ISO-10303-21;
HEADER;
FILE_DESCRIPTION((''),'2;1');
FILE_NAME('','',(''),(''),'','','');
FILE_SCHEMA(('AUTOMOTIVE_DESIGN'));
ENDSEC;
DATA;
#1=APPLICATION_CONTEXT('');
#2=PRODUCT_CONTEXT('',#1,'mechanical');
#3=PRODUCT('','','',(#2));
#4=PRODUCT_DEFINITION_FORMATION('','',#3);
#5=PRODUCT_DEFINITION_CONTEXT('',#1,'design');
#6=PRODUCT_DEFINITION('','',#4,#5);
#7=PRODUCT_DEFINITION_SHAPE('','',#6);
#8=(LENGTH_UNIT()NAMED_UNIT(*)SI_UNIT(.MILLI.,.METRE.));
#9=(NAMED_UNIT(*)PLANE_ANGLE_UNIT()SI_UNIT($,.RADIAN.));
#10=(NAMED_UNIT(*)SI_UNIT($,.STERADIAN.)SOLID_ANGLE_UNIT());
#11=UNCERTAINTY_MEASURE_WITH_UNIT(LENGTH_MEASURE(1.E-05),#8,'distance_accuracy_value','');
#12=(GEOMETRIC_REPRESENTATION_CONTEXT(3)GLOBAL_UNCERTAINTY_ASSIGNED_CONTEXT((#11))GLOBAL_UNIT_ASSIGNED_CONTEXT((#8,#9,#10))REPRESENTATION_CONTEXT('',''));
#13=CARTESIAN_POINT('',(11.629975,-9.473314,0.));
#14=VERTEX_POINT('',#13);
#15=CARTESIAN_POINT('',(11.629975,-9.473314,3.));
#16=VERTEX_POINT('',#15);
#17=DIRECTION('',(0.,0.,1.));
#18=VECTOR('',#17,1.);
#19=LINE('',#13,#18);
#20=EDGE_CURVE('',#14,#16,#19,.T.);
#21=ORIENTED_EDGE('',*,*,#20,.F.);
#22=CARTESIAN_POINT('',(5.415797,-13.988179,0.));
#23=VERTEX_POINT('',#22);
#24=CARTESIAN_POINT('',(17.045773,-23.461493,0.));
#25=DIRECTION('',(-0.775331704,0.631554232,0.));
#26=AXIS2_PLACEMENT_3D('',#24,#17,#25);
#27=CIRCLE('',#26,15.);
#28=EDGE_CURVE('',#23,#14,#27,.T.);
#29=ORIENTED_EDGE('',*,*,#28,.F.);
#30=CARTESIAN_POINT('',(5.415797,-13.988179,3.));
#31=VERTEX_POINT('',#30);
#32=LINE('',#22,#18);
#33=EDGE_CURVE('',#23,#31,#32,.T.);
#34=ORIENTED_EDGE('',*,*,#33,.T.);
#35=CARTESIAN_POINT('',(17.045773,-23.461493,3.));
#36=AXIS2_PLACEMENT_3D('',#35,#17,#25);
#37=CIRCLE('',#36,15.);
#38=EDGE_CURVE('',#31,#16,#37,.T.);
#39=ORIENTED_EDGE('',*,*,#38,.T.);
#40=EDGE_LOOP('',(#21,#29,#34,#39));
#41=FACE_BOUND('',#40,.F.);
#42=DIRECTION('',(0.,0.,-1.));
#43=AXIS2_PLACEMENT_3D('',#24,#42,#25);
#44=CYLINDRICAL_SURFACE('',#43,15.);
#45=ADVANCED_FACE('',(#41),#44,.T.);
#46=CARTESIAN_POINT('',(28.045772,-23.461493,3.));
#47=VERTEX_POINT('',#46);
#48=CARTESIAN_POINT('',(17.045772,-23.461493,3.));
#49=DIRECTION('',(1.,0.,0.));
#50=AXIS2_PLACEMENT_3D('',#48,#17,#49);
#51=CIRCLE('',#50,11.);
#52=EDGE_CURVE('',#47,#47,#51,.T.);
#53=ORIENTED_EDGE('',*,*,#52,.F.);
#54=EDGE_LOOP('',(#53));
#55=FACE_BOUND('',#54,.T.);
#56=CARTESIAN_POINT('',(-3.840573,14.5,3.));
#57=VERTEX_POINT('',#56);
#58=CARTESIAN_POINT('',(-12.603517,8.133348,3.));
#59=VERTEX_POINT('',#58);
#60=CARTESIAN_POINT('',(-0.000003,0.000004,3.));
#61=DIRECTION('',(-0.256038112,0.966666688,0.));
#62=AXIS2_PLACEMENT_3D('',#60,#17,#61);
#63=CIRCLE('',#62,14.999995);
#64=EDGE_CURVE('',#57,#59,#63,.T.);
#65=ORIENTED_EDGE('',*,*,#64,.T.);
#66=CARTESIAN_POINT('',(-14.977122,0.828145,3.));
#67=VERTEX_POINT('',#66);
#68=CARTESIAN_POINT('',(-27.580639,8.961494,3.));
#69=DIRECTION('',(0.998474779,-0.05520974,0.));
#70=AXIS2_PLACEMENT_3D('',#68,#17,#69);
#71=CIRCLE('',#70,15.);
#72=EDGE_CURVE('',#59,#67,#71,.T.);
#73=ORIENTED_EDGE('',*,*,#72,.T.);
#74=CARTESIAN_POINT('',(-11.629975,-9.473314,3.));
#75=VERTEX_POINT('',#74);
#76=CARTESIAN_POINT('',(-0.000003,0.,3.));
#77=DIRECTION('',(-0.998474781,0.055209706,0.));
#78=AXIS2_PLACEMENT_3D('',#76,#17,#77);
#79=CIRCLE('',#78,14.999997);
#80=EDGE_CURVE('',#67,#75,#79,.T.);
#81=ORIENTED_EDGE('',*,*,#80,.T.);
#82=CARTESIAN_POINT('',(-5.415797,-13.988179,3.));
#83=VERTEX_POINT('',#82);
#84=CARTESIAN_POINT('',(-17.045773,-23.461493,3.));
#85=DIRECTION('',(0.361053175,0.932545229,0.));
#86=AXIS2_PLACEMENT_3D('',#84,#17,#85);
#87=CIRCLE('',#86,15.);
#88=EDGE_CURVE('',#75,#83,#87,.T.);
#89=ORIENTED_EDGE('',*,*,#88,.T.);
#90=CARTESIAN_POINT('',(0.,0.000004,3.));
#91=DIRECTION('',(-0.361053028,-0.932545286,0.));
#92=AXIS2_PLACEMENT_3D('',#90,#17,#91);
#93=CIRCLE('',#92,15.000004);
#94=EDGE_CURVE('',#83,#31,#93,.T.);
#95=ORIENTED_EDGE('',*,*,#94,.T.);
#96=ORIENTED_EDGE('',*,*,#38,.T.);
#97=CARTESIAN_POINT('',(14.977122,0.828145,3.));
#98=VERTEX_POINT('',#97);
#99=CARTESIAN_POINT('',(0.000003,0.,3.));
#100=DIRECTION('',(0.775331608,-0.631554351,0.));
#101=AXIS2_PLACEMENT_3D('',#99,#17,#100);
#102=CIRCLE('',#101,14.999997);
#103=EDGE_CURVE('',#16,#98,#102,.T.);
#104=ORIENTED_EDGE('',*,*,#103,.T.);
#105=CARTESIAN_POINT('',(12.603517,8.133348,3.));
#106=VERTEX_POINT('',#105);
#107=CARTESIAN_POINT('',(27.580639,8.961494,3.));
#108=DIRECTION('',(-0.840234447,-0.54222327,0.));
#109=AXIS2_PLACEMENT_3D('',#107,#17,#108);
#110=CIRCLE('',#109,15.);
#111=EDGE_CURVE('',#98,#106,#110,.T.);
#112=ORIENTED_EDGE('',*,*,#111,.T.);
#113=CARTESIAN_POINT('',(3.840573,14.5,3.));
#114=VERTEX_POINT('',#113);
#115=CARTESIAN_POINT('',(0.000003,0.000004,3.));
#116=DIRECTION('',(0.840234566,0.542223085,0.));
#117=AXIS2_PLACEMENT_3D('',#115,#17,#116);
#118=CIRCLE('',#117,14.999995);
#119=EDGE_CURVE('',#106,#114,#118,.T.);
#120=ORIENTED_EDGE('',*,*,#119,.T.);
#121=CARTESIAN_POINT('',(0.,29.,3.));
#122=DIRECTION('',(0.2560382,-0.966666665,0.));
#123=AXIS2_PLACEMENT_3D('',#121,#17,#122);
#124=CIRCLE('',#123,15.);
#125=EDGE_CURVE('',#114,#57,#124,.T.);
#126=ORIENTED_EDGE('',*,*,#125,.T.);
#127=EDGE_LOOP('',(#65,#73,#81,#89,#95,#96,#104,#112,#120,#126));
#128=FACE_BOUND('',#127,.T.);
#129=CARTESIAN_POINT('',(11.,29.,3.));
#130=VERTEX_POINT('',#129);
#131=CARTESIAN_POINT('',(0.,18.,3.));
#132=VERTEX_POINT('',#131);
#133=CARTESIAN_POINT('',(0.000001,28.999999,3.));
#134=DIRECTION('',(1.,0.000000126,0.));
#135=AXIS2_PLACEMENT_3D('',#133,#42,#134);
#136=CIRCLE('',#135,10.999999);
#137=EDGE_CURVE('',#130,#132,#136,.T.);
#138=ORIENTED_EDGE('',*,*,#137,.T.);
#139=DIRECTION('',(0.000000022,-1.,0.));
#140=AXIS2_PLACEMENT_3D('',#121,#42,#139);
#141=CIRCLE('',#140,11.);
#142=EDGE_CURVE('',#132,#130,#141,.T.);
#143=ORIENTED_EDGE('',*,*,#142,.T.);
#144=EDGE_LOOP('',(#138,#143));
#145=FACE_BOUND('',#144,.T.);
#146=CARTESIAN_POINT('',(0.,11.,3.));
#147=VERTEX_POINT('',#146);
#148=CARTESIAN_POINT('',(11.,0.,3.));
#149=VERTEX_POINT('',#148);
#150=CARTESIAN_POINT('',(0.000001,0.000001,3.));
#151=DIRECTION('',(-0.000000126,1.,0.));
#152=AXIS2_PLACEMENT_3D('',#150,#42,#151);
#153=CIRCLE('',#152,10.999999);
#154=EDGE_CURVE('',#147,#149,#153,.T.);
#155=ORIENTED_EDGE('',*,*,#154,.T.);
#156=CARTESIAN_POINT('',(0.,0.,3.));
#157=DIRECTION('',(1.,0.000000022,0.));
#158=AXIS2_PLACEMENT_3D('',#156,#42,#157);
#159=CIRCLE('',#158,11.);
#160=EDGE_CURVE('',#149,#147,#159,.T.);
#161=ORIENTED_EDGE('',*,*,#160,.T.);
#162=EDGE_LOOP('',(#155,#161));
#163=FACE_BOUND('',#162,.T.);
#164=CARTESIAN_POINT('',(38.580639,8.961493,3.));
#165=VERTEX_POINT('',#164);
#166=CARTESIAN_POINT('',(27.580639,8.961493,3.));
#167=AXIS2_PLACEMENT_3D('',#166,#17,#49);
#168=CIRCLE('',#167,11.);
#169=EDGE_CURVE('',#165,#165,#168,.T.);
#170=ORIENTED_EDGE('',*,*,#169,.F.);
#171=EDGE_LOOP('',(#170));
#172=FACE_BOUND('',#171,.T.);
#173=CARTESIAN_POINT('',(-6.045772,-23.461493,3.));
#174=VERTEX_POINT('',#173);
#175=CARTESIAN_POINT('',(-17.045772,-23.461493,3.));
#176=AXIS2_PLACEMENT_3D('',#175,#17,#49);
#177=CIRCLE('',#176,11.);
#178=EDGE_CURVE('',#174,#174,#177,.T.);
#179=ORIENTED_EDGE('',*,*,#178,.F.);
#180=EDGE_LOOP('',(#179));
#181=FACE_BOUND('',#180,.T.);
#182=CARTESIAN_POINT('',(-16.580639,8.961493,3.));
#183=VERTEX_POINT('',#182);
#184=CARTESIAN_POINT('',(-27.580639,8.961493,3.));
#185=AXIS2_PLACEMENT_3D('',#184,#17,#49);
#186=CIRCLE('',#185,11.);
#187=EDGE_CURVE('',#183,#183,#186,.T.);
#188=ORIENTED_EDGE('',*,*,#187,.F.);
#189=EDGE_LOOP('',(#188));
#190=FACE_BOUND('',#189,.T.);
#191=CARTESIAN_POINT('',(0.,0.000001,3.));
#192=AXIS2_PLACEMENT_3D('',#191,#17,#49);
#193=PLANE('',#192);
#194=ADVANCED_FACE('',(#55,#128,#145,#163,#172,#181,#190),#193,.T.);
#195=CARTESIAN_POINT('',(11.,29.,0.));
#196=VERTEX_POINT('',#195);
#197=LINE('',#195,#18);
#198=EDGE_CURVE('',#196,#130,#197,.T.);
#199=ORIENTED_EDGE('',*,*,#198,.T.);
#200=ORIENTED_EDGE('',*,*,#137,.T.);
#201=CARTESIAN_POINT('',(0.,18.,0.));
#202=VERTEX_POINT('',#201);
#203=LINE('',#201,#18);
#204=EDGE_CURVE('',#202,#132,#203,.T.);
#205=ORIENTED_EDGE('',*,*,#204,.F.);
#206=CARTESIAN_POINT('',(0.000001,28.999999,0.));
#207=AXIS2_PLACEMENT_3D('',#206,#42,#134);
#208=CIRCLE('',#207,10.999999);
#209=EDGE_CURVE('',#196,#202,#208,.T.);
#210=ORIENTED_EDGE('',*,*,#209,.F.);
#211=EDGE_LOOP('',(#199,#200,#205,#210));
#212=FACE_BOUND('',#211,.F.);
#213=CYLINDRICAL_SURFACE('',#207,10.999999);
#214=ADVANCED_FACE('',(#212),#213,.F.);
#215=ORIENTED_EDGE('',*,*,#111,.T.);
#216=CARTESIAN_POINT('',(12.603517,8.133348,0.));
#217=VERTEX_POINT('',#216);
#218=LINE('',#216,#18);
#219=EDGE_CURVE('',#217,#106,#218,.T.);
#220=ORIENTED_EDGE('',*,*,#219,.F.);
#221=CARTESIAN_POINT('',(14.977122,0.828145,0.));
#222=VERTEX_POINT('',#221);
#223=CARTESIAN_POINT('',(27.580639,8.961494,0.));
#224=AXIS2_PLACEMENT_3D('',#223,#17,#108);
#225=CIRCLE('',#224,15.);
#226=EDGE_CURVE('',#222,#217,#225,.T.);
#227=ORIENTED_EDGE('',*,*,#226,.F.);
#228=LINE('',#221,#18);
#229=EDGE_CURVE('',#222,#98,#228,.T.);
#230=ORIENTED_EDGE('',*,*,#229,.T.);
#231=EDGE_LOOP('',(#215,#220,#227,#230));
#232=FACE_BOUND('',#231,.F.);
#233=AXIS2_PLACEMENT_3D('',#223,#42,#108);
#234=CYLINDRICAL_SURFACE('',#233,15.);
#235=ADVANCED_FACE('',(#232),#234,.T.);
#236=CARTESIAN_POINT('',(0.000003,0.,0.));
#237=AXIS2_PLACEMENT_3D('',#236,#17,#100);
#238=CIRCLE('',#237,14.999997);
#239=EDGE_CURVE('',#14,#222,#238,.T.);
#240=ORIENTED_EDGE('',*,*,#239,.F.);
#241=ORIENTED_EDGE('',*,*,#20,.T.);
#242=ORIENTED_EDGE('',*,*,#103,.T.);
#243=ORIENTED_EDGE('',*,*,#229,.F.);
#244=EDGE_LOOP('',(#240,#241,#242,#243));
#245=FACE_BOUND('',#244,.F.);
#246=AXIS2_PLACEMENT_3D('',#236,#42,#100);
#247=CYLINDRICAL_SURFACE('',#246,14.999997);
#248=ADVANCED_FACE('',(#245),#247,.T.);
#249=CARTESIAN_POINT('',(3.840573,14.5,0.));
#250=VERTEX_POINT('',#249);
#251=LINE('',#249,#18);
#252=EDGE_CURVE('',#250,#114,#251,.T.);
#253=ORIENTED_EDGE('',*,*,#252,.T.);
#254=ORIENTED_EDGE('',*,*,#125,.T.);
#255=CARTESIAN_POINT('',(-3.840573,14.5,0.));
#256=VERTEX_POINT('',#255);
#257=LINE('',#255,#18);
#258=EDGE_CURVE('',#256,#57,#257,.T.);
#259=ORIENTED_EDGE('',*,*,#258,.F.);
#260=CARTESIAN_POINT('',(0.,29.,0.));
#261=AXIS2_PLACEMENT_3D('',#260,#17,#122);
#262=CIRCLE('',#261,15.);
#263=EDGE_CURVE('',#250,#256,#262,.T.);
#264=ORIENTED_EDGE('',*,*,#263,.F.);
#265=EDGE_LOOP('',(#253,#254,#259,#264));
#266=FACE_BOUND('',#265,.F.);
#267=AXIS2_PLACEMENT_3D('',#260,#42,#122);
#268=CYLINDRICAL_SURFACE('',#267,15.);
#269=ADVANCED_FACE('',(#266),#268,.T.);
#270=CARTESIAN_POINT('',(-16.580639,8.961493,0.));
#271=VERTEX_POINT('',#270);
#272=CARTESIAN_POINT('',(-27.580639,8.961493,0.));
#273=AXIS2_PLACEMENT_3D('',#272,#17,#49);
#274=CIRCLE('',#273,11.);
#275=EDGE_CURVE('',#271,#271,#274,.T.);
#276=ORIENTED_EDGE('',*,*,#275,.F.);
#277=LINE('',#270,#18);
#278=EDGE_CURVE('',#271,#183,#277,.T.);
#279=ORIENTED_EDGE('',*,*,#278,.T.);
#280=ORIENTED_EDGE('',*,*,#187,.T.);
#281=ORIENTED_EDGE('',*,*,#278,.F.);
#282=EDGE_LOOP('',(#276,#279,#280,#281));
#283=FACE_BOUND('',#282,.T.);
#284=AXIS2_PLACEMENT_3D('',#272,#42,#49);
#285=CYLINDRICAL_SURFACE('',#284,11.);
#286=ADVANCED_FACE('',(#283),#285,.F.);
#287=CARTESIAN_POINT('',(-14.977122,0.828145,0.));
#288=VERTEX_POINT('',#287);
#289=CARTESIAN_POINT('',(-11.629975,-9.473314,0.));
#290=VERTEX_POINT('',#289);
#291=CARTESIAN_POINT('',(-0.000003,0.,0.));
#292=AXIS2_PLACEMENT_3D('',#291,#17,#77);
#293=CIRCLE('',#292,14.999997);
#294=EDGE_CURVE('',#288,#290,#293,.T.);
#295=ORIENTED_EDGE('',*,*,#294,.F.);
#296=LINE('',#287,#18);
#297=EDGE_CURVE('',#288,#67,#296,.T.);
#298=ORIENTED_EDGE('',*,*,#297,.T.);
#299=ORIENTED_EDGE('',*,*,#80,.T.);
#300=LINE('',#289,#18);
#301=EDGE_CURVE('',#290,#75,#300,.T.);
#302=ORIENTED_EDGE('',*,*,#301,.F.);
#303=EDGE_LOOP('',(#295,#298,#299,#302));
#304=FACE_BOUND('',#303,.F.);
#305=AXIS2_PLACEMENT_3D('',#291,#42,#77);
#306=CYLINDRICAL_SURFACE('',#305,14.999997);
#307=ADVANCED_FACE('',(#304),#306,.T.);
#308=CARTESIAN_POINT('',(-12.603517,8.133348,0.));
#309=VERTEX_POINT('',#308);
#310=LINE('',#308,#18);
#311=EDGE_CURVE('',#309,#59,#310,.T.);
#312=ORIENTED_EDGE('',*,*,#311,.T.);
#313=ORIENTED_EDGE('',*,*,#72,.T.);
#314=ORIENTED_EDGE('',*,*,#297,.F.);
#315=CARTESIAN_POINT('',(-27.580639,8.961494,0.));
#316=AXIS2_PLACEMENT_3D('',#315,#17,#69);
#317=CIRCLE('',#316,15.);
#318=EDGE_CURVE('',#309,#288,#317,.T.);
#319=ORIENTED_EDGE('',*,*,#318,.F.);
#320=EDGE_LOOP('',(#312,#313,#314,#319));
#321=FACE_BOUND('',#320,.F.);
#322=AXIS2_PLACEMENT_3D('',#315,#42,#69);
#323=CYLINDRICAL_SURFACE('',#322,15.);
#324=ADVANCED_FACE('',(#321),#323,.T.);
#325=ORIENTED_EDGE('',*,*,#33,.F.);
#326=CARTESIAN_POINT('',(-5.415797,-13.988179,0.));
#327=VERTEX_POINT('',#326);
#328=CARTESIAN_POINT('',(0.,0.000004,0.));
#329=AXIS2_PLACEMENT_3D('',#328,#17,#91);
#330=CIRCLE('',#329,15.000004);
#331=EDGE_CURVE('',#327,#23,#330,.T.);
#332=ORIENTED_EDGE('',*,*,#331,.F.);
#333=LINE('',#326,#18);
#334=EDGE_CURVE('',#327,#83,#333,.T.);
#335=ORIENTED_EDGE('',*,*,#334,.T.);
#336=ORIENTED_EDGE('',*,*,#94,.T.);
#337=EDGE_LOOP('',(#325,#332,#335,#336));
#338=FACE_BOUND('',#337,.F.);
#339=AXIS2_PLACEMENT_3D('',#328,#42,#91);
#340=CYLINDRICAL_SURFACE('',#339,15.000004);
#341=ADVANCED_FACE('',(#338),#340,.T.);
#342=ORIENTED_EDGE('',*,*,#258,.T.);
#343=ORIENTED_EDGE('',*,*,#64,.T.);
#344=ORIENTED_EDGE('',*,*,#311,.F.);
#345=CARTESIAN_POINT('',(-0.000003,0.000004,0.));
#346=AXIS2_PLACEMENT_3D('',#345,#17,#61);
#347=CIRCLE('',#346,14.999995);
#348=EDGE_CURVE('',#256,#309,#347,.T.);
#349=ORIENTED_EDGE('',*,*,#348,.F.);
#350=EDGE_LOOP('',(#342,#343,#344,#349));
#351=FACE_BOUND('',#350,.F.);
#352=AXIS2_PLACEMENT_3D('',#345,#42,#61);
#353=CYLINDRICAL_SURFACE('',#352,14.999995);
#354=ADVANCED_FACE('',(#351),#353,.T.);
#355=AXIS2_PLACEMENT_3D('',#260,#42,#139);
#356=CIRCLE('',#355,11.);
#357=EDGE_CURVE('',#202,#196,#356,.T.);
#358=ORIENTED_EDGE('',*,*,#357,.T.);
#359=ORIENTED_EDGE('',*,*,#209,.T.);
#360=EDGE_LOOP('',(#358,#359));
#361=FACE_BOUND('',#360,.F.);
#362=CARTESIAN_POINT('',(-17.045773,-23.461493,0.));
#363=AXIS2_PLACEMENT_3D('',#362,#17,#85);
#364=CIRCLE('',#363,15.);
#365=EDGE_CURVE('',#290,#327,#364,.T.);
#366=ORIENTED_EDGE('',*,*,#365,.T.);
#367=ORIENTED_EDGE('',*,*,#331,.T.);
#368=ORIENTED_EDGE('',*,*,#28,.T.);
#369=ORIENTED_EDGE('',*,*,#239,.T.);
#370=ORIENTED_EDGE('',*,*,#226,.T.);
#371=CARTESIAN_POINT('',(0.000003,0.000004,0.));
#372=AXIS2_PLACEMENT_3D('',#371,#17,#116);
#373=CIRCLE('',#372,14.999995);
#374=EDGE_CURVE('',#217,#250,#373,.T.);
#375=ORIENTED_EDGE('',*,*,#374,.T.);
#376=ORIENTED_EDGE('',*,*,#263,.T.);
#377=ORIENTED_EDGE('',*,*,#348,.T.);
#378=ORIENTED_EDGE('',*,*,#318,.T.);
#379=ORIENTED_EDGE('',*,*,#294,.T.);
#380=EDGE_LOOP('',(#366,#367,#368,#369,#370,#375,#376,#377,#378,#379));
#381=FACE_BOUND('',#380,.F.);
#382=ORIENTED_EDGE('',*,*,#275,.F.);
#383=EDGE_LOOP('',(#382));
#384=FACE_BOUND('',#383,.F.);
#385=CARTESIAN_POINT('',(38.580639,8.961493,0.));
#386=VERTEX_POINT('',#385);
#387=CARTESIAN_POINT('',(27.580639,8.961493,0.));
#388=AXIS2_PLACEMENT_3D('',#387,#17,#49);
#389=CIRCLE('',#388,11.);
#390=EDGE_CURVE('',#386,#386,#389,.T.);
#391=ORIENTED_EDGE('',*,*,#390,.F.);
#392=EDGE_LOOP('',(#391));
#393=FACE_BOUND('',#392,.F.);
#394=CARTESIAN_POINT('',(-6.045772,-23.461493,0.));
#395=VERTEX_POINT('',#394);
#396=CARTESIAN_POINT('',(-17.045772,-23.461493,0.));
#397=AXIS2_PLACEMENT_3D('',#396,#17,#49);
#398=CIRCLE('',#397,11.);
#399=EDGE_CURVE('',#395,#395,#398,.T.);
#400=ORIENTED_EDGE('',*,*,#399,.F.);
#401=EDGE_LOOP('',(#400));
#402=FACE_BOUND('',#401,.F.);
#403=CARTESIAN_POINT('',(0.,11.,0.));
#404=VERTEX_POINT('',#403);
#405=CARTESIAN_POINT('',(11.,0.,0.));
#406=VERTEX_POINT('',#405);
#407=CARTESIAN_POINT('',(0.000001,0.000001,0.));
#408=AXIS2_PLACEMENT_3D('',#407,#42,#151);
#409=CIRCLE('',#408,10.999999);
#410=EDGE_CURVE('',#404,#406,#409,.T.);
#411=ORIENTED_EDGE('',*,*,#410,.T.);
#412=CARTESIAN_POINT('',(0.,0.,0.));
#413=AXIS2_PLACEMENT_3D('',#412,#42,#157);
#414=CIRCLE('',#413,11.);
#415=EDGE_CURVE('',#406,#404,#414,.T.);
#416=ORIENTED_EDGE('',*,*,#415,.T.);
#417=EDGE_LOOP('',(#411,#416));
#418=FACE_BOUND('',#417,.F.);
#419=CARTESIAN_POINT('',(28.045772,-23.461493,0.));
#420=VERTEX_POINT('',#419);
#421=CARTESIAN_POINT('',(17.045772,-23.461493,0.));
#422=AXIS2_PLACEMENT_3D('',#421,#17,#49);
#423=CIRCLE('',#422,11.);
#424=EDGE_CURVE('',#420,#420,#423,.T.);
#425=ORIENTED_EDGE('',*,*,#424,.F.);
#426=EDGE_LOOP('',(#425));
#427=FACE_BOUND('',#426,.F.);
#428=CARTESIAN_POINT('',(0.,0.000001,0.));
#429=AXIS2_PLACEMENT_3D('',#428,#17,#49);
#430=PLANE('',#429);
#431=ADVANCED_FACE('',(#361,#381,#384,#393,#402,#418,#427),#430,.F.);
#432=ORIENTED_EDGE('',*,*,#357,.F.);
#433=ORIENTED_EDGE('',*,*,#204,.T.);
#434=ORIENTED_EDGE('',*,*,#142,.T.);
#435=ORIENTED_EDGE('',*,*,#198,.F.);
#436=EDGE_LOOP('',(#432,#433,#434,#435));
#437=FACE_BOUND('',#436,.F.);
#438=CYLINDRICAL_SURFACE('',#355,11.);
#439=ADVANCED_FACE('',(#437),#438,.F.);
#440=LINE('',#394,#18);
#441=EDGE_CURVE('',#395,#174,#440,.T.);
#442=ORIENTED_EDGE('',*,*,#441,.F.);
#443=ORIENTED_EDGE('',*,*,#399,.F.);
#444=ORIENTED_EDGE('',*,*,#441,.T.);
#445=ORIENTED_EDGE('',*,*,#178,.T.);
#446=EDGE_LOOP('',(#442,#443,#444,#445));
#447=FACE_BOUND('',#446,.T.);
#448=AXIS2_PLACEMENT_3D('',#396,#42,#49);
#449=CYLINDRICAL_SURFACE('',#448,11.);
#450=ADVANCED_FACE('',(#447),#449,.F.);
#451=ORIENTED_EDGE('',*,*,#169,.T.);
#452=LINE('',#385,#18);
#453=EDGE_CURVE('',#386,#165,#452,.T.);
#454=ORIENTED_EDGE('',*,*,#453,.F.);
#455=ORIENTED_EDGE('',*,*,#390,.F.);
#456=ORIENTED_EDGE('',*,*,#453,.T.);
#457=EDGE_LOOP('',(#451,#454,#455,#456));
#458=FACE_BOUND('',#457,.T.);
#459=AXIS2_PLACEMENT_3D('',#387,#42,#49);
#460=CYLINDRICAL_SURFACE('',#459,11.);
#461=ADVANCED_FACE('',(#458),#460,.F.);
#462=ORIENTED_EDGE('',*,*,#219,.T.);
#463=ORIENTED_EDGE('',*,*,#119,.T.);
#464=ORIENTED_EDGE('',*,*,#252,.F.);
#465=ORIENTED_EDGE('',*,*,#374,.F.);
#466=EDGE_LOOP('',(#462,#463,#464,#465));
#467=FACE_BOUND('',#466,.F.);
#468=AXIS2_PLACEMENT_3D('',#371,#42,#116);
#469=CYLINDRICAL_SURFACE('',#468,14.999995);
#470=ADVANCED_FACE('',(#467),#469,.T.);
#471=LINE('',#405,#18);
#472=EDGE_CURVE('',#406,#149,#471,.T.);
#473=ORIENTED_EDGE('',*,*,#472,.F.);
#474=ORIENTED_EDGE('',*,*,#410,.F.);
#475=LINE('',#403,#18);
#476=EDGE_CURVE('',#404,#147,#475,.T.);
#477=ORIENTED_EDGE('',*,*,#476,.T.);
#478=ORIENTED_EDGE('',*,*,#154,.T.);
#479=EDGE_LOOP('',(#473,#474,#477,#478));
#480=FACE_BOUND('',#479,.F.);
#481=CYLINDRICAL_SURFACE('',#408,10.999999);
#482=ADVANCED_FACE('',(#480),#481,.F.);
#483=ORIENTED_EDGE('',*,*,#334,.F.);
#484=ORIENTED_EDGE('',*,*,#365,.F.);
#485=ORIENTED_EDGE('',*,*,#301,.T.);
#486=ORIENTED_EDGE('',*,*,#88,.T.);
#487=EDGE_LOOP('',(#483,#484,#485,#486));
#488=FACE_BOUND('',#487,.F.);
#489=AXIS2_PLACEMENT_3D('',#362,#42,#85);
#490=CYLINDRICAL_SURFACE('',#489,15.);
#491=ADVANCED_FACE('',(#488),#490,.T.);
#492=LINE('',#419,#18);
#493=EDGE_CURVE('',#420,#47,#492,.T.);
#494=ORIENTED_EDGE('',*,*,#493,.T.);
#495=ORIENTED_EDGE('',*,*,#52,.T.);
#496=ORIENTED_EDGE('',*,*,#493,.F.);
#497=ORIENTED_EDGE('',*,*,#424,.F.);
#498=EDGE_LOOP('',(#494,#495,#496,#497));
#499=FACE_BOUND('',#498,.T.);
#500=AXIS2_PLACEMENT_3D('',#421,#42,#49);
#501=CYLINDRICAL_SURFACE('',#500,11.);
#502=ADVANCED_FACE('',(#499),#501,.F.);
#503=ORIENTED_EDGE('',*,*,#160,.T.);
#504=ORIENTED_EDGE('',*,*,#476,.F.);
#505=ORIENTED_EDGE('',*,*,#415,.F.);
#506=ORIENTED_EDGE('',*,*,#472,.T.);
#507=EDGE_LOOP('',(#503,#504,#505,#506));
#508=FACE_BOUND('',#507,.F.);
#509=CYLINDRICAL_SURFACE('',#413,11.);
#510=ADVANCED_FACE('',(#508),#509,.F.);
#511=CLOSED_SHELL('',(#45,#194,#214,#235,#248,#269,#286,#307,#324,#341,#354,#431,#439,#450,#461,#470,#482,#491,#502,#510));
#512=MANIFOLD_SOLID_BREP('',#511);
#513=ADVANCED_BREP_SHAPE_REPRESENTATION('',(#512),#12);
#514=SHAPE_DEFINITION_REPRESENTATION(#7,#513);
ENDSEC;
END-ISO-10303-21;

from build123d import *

# Parameters (mm, degrees)
F0_R     = 11
F1_DEPTH = 3


with BuildPart() as f1:
    # F0 (on Top) → F1 (new body)
    with BuildSketch(Plane.XY):
        with BuildLine():
            ThreePointArc((-12.603517, 8.133348), (-41.846487, 13.596748), (-14.977122, 0.828145))
            ThreePointArc((-14.977122, 0.828145), (-14.265848, -4.635255), (-11.629975, -9.473314))
            ThreePointArc((-11.629975, -9.473314), (-25.862551, -35.596748), (-5.415797, -13.988179))
            ThreePointArc((-5.415797, -13.988179), (0, -15), (5.415797, -13.988179))
            ThreePointArc((5.415797, -13.988179), (25.862551, -35.596748), (11.629975, -9.473314))
            ThreePointArc((11.629975, -9.473314), (14.265848, -4.635255), (14.977122, 0.828145))
            ThreePointArc((14.977122, 0.828145), (41.846487, 13.596748), (12.603517, 8.133348))
            ThreePointArc((12.603517, 8.133348), (8.816779, 12.135255), (3.840573, 14.5))
            ThreePointArc((3.840573, 14.5), (0, 44), (-3.840573, 14.5))
            ThreePointArc((-3.840573, 14.5), (-8.816779, 12.135255), (-12.603517, 8.133348))
        make_face()
        with Locations((-17.045772, -23.461493)):
            Circle(F0_R, mode=Mode.SUBTRACT)
        with Locations((17.045772, -23.461493)):
            Circle(F0_R, mode=Mode.SUBTRACT)
        with BuildLine():
            ThreePointArc((0, 11), (7.778175, 7.778175), (11, 0))
            ThreePointArc((11, 0), (-7.778175, -7.778175), (0, 11))
        make_face(mode=Mode.SUBTRACT)
        with Locations((-27.580639, 8.961493)):
            Circle(F0_R, mode=Mode.SUBTRACT)
        with Locations((27.580639, 8.961493)):
            Circle(F0_R, mode=Mode.SUBTRACT)
        with BuildLine():
            ThreePointArc((11, 29), (7.778175, 21.221825), (0, 18))
            ThreePointArc((0, 18), (-7.778175, 36.778175), (11, 29))
        make_face(mode=Mode.SUBTRACT)
    extrude(amount=F1_DEPTH)


solid = f1.part
